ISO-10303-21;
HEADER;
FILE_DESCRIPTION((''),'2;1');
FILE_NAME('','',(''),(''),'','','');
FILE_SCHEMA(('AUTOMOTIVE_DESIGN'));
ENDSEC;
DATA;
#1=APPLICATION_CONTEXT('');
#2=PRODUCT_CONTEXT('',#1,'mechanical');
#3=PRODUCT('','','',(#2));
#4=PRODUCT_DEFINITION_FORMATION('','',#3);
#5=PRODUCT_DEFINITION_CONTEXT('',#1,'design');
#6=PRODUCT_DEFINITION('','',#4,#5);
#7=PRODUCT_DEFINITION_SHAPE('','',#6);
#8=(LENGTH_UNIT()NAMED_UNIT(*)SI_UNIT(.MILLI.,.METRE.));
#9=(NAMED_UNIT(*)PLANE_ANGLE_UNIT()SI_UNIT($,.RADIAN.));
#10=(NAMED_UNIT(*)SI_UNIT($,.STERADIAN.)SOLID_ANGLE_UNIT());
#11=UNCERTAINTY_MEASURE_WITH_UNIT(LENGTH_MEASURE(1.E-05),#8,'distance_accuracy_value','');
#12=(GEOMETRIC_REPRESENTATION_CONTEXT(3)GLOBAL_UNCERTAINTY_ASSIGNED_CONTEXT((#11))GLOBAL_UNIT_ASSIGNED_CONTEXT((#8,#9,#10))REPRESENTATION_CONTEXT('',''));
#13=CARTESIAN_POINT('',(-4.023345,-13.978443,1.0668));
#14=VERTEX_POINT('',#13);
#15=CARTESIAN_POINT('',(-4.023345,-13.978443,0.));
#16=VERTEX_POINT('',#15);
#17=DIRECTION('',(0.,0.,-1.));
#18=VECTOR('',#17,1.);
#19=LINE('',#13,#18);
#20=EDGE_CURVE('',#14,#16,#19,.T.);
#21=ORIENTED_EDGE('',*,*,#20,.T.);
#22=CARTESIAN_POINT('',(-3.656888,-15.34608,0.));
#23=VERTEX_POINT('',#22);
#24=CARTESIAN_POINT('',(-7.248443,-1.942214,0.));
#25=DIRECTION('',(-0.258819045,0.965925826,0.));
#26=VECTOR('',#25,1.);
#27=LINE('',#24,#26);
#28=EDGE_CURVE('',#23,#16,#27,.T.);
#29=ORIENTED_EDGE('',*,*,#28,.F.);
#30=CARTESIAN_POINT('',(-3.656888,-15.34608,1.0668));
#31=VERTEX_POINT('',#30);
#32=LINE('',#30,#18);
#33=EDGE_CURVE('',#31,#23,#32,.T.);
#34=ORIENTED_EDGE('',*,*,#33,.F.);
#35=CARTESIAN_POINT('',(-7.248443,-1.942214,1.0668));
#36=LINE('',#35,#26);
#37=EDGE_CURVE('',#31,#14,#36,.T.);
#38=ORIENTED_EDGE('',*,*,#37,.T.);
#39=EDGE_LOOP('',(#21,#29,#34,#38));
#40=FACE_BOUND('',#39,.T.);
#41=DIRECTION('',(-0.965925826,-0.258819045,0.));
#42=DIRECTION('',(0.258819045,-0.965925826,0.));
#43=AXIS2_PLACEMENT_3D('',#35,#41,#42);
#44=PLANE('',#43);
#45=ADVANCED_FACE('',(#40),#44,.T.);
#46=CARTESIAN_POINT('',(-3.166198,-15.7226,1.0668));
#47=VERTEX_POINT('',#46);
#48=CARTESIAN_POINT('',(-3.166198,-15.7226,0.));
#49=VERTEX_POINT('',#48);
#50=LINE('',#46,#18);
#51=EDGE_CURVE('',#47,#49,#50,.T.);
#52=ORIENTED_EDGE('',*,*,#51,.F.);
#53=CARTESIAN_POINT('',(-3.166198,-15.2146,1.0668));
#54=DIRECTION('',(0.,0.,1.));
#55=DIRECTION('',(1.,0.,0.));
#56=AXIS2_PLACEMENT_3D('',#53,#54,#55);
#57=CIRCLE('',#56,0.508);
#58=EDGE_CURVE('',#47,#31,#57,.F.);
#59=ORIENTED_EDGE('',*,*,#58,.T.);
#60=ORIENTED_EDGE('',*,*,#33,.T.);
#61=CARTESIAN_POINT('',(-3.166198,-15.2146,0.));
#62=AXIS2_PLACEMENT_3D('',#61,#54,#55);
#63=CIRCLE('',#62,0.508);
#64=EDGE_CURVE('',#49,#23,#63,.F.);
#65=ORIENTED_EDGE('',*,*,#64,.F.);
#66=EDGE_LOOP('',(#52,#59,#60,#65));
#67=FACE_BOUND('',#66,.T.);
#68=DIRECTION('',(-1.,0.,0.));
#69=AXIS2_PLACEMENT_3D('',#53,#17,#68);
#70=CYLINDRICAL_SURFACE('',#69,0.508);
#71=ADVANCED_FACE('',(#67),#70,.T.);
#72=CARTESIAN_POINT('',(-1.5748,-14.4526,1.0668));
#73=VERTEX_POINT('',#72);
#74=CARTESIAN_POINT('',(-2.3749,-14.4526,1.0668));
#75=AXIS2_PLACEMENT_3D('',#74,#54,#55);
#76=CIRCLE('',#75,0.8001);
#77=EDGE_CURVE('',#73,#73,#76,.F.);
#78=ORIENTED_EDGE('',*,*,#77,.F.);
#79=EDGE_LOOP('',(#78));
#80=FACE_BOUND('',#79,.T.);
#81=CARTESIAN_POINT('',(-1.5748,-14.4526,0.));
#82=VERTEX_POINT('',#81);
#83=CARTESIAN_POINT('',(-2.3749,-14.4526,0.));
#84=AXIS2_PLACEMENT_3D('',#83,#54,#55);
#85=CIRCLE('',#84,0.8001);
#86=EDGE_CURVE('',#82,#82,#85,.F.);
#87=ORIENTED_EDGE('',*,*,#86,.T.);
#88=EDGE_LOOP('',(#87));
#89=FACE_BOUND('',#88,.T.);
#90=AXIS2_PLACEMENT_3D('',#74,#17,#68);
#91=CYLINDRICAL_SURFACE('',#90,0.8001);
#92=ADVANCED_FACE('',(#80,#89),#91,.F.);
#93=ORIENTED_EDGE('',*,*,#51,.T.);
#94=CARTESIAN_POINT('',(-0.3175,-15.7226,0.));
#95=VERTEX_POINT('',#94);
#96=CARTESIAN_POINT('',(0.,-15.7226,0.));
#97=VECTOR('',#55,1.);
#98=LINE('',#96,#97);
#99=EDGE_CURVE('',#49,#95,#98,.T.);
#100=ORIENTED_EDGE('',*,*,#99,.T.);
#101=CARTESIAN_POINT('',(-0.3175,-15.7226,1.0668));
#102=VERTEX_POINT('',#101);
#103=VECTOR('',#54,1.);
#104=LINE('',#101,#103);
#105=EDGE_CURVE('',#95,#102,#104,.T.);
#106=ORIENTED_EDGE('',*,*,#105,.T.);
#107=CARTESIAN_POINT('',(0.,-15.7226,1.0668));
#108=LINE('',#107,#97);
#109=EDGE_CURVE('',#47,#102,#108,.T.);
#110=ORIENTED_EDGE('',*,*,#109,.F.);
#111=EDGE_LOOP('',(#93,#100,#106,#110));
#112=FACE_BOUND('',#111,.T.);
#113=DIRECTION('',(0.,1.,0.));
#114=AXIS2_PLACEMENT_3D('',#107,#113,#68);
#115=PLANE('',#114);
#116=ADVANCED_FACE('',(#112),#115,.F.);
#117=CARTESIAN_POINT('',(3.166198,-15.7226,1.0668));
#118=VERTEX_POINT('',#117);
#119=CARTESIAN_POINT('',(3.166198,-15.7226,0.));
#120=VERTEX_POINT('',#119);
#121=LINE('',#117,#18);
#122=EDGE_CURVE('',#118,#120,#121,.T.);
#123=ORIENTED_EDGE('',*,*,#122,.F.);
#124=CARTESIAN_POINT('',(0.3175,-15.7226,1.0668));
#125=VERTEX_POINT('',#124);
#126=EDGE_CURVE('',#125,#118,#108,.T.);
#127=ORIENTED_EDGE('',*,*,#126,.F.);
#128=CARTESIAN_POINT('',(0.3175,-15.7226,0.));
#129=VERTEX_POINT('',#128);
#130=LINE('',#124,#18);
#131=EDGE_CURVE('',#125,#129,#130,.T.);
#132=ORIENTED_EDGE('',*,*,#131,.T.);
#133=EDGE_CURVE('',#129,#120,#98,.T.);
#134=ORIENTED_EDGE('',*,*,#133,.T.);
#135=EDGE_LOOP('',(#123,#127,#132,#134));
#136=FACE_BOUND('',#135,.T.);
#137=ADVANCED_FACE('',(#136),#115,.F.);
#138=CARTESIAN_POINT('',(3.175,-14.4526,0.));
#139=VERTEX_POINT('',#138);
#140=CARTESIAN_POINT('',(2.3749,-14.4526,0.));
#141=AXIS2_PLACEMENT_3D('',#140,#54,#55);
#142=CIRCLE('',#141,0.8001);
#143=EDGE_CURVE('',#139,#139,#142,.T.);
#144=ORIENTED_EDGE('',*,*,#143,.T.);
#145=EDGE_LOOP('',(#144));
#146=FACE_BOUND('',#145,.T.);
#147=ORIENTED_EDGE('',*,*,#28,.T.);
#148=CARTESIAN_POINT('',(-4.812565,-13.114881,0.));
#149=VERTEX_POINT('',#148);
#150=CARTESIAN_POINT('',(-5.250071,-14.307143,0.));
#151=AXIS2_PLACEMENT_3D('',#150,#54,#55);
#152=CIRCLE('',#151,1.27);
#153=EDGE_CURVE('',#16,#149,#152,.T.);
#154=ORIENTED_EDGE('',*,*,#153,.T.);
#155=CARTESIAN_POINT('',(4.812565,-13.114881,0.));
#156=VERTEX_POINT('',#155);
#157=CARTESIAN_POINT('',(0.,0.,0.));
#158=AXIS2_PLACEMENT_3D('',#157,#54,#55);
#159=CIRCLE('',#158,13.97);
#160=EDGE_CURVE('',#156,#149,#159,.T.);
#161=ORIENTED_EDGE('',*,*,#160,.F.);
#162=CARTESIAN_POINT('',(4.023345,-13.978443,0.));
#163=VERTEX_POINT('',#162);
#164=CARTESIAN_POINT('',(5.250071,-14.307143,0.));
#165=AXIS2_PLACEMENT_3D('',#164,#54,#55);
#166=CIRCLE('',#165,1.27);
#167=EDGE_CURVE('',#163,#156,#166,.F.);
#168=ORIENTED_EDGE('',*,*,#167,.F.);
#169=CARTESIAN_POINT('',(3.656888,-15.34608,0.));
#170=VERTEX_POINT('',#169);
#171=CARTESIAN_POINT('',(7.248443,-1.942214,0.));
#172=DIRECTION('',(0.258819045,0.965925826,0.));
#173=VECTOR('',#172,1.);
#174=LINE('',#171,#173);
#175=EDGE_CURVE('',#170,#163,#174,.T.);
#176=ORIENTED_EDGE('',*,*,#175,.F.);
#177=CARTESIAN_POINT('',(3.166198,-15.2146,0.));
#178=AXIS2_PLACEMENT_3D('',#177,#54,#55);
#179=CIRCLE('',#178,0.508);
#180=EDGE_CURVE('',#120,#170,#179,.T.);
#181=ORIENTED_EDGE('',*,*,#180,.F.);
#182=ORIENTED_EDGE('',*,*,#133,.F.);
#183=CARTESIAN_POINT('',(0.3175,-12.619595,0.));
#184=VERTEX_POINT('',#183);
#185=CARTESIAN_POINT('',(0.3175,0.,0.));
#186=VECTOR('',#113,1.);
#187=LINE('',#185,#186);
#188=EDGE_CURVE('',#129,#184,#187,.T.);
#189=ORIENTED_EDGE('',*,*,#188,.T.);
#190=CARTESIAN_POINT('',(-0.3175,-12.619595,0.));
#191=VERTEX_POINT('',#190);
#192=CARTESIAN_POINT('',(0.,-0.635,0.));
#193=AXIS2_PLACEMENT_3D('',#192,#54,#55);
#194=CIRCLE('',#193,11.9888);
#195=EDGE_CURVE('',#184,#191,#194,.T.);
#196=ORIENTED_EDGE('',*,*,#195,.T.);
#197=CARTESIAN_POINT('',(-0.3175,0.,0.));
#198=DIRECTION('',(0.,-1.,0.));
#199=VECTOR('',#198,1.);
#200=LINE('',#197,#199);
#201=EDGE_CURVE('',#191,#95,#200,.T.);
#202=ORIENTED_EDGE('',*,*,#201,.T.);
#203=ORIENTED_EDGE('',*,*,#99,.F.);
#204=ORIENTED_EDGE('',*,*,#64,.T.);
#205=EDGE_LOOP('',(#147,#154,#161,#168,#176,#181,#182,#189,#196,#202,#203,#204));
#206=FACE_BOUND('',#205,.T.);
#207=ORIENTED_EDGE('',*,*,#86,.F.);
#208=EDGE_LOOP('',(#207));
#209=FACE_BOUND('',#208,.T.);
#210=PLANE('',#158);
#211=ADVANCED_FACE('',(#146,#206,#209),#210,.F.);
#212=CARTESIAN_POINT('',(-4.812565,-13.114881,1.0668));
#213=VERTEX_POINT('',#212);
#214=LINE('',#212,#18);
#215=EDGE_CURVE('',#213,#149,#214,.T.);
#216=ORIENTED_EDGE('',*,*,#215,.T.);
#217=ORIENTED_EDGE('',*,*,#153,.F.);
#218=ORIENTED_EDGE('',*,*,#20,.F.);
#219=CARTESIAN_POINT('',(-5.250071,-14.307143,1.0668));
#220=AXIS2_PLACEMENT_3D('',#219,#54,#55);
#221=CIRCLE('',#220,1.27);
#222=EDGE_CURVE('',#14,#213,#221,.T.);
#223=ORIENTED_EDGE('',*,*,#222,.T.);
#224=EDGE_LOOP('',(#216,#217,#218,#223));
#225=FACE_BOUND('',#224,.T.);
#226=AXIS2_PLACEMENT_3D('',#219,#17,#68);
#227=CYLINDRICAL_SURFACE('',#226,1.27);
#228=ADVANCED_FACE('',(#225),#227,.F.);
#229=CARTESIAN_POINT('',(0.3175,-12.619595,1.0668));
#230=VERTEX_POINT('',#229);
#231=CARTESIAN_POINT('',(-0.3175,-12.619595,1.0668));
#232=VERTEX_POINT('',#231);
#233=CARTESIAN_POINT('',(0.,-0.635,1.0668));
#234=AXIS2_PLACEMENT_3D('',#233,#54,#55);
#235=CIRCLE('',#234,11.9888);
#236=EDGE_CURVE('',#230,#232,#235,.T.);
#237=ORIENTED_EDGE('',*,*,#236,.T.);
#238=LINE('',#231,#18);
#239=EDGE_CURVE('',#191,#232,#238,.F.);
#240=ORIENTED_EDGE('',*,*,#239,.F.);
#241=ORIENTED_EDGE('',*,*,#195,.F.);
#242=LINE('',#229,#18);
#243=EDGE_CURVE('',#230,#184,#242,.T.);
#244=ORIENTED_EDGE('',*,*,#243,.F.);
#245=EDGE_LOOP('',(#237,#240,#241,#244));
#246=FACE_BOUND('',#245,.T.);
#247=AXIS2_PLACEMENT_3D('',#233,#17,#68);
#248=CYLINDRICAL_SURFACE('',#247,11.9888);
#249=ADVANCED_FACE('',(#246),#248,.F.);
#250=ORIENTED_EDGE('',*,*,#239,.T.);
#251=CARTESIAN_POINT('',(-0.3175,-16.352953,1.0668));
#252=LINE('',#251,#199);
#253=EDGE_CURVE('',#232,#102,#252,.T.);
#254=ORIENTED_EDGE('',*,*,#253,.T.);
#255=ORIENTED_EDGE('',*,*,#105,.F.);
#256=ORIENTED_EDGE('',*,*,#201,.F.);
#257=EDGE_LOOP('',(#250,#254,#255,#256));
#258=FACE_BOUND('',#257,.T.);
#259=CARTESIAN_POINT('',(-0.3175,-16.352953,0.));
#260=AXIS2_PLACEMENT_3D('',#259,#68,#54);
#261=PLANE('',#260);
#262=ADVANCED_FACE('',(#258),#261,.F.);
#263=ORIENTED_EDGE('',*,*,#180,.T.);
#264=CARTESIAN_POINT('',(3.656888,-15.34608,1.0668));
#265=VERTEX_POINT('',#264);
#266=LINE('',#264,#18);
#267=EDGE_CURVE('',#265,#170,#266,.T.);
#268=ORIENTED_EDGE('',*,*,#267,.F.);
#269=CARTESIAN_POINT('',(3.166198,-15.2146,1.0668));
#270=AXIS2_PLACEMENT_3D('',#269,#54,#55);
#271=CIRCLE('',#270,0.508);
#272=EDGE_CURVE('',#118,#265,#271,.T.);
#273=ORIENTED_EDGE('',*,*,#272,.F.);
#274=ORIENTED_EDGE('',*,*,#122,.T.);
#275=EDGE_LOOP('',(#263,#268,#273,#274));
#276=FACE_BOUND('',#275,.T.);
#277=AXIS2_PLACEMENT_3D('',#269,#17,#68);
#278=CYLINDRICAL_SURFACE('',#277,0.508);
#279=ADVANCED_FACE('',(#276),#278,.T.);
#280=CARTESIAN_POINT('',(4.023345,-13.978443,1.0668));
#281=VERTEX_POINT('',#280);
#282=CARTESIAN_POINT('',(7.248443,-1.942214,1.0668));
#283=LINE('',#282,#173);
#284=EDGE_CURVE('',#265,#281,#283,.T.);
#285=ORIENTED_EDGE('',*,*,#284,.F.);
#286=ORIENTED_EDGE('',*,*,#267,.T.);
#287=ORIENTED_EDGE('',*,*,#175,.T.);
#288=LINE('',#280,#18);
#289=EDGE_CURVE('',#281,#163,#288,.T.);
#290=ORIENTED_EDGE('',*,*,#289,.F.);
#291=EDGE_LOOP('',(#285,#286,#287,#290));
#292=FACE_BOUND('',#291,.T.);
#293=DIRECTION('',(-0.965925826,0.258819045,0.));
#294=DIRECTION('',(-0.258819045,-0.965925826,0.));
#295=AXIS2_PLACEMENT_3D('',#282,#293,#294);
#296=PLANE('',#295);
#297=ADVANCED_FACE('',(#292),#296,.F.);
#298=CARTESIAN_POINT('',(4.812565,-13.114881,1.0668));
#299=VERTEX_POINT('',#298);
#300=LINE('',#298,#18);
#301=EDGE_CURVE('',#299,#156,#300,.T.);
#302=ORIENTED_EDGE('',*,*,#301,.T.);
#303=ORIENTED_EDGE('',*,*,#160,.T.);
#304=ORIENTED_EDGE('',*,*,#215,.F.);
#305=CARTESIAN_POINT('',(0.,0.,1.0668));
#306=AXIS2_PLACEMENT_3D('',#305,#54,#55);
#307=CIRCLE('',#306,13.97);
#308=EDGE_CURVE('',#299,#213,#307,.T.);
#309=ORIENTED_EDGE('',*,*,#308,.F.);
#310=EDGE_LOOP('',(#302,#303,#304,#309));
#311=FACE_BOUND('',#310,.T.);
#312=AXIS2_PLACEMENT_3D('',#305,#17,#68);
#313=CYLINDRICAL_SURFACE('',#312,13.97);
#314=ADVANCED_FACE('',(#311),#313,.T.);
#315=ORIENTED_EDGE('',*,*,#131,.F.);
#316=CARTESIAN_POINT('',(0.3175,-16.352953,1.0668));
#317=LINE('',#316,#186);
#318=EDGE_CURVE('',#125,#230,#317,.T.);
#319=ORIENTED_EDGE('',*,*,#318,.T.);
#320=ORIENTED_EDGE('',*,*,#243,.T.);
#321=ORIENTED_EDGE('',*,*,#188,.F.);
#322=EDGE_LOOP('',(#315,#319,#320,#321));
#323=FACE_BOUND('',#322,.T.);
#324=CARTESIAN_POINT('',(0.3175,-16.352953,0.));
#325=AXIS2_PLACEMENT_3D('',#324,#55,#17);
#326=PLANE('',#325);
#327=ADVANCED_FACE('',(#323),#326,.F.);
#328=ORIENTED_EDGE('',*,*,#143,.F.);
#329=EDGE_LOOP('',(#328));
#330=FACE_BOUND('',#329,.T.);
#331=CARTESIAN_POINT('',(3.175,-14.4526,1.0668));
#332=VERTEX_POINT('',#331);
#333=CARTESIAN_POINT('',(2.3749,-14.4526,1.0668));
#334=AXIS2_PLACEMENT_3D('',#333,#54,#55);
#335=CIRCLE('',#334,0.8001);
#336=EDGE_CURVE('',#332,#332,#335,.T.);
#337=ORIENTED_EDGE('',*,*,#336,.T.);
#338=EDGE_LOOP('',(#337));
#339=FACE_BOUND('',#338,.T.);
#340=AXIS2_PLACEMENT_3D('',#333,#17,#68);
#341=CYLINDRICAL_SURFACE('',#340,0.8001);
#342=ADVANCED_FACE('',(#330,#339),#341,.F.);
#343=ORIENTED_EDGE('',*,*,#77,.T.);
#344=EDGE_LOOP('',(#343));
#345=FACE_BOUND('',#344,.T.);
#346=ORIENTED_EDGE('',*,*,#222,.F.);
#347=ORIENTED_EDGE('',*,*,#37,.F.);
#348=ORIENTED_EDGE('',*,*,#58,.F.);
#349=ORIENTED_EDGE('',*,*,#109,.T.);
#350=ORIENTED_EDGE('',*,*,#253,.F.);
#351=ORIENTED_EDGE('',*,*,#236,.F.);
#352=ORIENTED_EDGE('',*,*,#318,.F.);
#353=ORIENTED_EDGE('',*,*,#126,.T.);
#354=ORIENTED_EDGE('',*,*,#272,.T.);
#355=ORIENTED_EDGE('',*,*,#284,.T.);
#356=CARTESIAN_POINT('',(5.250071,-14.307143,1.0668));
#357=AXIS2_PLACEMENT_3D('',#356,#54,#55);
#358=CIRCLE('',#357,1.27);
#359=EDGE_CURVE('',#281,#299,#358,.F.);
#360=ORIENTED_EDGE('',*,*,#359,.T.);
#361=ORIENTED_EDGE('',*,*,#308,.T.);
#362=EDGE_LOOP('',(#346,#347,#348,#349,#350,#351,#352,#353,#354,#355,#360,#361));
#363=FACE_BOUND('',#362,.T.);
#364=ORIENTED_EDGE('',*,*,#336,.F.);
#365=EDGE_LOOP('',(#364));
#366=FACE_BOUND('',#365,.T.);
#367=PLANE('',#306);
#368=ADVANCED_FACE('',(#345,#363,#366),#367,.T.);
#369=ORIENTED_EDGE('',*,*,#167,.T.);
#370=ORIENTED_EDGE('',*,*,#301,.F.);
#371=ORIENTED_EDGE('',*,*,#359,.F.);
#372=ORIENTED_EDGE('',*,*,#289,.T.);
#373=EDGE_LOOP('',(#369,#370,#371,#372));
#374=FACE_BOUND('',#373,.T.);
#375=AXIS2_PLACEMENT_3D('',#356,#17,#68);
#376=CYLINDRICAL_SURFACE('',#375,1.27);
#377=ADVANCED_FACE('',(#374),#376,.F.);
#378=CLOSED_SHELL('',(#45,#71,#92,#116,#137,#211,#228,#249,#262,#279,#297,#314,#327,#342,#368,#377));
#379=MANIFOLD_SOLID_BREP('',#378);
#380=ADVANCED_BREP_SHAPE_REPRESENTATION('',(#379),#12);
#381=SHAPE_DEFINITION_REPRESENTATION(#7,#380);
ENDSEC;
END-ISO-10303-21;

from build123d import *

# Parameters (mm, degrees)
BASE_SKETCH_R    = 11.9888
BASE_SKETCH_R_2  = 0.8001
BASE_DEPTH       = 1.0668
CUT_SKETCH_W     = 0.635
CUT_SKETCH_H     = 7.458306792
BOTTOM_CUT_DEPTH = 22.059418629


with BuildPart() as part:
    # Base Sketch → Base (new body)
    with BuildSketch(Plane.XY):
        with BuildLine():
            Line((-3.16619789, -15.7226), (3.16619789, -15.7226))
            ThreePointArc((3.16619789, -15.7226), (3.475448696, -15.617623497), (3.65688821, -15.346080075))
            Line((3.65688821, -15.346080075), (4.023345402, -13.978443217))
            ThreePointArc((4.023345402, -13.978443217), (4.312600377, -13.450377126), (4.812565268, -13.114881454))
            ThreePointArc((4.812565268, -13.114881454), (0, 13.97), (-4.812565268, -13.114881454))
            ThreePointArc((-4.812565268, -13.114881454), (-4.312600377, -13.450377126), (-4.023345402, -13.978443217))
            Line((-4.023345402, -13.978443217), (-3.65688821, -15.346080075))
            ThreePointArc((-3.65688821, -15.346080075), (-3.475448696, -15.617623497), (-3.16619789, -15.7226))
        make_face()
        with Locations((0, -0.635)):
            Circle(BASE_SKETCH_R, mode=Mode.SUBTRACT)
        with Locations((2.3749, -14.4526)):
            Circle(BASE_SKETCH_R_2, mode=Mode.SUBTRACT)
        with Locations((-2.3749, -14.4526)):
            Circle(BASE_SKETCH_R_2, mode=Mode.SUBTRACT)
    extrude(amount=BASE_DEPTH)

    # Cut Sketch → Bottom Cut (cut, through all)
    with BuildSketch(Plane.XY.offset(1.0668)):
        with Locations((0, -12.6238)):
            Rectangle(CUT_SKETCH_W, CUT_SKETCH_H)
    extrude(amount=-BOTTOM_CUT_DEPTH, mode=Mode.SUBTRACT)


solid = part.part
